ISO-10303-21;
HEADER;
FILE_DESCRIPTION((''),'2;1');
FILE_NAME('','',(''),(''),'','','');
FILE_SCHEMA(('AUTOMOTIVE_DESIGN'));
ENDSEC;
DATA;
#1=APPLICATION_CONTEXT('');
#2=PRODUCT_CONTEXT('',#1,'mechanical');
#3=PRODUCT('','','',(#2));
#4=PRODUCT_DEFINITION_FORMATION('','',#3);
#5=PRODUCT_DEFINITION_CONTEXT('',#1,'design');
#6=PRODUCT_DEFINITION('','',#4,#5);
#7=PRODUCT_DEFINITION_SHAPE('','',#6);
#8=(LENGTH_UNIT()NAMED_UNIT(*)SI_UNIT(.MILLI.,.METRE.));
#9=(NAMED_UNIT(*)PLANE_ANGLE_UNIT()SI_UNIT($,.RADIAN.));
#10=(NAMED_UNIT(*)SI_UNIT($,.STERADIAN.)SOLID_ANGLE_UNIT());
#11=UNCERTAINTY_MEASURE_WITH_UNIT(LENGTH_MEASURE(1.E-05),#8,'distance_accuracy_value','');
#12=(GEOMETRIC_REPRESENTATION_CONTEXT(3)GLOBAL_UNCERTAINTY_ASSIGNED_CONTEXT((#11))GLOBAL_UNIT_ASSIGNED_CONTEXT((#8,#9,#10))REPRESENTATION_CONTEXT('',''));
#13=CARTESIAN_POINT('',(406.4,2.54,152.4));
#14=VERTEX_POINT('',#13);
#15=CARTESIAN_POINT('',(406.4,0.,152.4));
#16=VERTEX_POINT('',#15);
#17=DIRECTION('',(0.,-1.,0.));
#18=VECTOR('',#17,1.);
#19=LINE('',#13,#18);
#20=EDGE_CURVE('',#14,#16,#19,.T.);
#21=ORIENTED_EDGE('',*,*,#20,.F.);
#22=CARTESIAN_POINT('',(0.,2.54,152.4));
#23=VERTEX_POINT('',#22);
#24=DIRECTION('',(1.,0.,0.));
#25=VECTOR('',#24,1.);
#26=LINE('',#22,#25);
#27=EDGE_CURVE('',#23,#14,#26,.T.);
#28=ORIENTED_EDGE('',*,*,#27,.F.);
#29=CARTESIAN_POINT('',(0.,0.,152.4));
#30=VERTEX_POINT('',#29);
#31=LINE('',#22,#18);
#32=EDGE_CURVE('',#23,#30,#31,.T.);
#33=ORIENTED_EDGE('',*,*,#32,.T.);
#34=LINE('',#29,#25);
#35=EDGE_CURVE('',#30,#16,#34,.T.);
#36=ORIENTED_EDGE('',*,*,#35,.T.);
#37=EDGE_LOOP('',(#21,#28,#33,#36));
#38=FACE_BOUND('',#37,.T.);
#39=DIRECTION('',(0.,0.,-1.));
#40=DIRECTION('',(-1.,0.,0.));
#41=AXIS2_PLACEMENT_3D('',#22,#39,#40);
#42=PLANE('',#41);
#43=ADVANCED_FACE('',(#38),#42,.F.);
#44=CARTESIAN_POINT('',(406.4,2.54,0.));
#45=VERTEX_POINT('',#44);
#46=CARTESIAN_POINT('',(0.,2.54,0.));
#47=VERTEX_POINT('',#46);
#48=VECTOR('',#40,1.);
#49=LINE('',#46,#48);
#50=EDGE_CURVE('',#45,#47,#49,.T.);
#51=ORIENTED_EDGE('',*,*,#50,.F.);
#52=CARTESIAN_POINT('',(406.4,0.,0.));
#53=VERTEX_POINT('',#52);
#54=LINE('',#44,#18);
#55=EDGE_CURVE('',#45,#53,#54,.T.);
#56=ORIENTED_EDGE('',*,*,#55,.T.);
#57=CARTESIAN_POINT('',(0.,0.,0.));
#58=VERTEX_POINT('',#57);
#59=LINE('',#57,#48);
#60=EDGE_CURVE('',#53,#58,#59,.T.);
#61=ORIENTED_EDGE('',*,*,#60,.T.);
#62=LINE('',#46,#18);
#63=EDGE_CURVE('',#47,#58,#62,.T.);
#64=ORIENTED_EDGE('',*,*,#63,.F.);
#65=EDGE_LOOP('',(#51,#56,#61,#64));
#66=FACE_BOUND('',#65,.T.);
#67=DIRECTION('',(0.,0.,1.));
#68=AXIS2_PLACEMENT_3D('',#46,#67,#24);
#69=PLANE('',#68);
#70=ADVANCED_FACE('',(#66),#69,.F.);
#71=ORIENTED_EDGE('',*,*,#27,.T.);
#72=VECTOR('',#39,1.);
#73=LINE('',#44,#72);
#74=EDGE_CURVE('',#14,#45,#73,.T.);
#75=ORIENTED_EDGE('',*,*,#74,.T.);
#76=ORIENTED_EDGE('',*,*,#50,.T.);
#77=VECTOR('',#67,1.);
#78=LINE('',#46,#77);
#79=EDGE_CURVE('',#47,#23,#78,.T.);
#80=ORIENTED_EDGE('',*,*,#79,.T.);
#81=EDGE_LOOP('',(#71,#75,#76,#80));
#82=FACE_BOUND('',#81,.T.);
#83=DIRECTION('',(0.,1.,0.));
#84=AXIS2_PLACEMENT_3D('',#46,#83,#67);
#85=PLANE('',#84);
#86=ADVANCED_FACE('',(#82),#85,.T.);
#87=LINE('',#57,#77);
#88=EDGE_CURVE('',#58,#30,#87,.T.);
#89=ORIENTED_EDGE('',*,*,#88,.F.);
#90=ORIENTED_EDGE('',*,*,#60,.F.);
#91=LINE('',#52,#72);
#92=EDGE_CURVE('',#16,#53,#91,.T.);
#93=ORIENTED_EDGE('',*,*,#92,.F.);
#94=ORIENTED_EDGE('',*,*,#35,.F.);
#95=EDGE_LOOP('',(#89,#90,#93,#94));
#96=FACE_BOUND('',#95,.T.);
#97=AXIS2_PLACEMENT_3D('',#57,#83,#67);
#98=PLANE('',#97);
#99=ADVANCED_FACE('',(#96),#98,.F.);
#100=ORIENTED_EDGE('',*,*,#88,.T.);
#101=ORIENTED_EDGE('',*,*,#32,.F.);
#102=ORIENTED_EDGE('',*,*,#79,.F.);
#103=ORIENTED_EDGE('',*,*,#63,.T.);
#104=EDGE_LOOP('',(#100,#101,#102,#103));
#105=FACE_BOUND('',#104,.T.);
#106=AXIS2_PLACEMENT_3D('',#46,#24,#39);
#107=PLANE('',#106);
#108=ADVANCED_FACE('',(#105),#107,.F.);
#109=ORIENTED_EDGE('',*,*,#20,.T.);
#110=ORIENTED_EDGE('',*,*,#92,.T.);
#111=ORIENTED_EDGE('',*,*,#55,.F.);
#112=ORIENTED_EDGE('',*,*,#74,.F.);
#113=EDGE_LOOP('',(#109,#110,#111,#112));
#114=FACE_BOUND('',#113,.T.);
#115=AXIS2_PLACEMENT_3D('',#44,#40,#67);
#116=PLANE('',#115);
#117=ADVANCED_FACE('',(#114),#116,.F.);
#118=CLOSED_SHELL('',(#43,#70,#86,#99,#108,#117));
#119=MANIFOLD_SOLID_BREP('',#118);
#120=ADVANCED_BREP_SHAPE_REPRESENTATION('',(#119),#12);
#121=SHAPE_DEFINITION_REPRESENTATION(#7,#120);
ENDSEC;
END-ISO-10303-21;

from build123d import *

# Parameters (mm, degrees)
SKETCH_1_W      = 406.4
SKETCH_1_H      = 152.4
EXTRUDE_1_DEPTH = 2.54


with BuildPart() as part:
    # 草图1 → 凸台-拉伸1 (new body)
    with BuildSketch(Plane(origin=(0, 0, 0), x_dir=(1, 0, 0), z_dir=(0, 1, 0))):
        with Locations((203.2, -76.2)):
            Rectangle(SKETCH_1_W, SKETCH_1_H)
    extrude(amount=EXTRUDE_1_DEPTH)


solid = part.part
